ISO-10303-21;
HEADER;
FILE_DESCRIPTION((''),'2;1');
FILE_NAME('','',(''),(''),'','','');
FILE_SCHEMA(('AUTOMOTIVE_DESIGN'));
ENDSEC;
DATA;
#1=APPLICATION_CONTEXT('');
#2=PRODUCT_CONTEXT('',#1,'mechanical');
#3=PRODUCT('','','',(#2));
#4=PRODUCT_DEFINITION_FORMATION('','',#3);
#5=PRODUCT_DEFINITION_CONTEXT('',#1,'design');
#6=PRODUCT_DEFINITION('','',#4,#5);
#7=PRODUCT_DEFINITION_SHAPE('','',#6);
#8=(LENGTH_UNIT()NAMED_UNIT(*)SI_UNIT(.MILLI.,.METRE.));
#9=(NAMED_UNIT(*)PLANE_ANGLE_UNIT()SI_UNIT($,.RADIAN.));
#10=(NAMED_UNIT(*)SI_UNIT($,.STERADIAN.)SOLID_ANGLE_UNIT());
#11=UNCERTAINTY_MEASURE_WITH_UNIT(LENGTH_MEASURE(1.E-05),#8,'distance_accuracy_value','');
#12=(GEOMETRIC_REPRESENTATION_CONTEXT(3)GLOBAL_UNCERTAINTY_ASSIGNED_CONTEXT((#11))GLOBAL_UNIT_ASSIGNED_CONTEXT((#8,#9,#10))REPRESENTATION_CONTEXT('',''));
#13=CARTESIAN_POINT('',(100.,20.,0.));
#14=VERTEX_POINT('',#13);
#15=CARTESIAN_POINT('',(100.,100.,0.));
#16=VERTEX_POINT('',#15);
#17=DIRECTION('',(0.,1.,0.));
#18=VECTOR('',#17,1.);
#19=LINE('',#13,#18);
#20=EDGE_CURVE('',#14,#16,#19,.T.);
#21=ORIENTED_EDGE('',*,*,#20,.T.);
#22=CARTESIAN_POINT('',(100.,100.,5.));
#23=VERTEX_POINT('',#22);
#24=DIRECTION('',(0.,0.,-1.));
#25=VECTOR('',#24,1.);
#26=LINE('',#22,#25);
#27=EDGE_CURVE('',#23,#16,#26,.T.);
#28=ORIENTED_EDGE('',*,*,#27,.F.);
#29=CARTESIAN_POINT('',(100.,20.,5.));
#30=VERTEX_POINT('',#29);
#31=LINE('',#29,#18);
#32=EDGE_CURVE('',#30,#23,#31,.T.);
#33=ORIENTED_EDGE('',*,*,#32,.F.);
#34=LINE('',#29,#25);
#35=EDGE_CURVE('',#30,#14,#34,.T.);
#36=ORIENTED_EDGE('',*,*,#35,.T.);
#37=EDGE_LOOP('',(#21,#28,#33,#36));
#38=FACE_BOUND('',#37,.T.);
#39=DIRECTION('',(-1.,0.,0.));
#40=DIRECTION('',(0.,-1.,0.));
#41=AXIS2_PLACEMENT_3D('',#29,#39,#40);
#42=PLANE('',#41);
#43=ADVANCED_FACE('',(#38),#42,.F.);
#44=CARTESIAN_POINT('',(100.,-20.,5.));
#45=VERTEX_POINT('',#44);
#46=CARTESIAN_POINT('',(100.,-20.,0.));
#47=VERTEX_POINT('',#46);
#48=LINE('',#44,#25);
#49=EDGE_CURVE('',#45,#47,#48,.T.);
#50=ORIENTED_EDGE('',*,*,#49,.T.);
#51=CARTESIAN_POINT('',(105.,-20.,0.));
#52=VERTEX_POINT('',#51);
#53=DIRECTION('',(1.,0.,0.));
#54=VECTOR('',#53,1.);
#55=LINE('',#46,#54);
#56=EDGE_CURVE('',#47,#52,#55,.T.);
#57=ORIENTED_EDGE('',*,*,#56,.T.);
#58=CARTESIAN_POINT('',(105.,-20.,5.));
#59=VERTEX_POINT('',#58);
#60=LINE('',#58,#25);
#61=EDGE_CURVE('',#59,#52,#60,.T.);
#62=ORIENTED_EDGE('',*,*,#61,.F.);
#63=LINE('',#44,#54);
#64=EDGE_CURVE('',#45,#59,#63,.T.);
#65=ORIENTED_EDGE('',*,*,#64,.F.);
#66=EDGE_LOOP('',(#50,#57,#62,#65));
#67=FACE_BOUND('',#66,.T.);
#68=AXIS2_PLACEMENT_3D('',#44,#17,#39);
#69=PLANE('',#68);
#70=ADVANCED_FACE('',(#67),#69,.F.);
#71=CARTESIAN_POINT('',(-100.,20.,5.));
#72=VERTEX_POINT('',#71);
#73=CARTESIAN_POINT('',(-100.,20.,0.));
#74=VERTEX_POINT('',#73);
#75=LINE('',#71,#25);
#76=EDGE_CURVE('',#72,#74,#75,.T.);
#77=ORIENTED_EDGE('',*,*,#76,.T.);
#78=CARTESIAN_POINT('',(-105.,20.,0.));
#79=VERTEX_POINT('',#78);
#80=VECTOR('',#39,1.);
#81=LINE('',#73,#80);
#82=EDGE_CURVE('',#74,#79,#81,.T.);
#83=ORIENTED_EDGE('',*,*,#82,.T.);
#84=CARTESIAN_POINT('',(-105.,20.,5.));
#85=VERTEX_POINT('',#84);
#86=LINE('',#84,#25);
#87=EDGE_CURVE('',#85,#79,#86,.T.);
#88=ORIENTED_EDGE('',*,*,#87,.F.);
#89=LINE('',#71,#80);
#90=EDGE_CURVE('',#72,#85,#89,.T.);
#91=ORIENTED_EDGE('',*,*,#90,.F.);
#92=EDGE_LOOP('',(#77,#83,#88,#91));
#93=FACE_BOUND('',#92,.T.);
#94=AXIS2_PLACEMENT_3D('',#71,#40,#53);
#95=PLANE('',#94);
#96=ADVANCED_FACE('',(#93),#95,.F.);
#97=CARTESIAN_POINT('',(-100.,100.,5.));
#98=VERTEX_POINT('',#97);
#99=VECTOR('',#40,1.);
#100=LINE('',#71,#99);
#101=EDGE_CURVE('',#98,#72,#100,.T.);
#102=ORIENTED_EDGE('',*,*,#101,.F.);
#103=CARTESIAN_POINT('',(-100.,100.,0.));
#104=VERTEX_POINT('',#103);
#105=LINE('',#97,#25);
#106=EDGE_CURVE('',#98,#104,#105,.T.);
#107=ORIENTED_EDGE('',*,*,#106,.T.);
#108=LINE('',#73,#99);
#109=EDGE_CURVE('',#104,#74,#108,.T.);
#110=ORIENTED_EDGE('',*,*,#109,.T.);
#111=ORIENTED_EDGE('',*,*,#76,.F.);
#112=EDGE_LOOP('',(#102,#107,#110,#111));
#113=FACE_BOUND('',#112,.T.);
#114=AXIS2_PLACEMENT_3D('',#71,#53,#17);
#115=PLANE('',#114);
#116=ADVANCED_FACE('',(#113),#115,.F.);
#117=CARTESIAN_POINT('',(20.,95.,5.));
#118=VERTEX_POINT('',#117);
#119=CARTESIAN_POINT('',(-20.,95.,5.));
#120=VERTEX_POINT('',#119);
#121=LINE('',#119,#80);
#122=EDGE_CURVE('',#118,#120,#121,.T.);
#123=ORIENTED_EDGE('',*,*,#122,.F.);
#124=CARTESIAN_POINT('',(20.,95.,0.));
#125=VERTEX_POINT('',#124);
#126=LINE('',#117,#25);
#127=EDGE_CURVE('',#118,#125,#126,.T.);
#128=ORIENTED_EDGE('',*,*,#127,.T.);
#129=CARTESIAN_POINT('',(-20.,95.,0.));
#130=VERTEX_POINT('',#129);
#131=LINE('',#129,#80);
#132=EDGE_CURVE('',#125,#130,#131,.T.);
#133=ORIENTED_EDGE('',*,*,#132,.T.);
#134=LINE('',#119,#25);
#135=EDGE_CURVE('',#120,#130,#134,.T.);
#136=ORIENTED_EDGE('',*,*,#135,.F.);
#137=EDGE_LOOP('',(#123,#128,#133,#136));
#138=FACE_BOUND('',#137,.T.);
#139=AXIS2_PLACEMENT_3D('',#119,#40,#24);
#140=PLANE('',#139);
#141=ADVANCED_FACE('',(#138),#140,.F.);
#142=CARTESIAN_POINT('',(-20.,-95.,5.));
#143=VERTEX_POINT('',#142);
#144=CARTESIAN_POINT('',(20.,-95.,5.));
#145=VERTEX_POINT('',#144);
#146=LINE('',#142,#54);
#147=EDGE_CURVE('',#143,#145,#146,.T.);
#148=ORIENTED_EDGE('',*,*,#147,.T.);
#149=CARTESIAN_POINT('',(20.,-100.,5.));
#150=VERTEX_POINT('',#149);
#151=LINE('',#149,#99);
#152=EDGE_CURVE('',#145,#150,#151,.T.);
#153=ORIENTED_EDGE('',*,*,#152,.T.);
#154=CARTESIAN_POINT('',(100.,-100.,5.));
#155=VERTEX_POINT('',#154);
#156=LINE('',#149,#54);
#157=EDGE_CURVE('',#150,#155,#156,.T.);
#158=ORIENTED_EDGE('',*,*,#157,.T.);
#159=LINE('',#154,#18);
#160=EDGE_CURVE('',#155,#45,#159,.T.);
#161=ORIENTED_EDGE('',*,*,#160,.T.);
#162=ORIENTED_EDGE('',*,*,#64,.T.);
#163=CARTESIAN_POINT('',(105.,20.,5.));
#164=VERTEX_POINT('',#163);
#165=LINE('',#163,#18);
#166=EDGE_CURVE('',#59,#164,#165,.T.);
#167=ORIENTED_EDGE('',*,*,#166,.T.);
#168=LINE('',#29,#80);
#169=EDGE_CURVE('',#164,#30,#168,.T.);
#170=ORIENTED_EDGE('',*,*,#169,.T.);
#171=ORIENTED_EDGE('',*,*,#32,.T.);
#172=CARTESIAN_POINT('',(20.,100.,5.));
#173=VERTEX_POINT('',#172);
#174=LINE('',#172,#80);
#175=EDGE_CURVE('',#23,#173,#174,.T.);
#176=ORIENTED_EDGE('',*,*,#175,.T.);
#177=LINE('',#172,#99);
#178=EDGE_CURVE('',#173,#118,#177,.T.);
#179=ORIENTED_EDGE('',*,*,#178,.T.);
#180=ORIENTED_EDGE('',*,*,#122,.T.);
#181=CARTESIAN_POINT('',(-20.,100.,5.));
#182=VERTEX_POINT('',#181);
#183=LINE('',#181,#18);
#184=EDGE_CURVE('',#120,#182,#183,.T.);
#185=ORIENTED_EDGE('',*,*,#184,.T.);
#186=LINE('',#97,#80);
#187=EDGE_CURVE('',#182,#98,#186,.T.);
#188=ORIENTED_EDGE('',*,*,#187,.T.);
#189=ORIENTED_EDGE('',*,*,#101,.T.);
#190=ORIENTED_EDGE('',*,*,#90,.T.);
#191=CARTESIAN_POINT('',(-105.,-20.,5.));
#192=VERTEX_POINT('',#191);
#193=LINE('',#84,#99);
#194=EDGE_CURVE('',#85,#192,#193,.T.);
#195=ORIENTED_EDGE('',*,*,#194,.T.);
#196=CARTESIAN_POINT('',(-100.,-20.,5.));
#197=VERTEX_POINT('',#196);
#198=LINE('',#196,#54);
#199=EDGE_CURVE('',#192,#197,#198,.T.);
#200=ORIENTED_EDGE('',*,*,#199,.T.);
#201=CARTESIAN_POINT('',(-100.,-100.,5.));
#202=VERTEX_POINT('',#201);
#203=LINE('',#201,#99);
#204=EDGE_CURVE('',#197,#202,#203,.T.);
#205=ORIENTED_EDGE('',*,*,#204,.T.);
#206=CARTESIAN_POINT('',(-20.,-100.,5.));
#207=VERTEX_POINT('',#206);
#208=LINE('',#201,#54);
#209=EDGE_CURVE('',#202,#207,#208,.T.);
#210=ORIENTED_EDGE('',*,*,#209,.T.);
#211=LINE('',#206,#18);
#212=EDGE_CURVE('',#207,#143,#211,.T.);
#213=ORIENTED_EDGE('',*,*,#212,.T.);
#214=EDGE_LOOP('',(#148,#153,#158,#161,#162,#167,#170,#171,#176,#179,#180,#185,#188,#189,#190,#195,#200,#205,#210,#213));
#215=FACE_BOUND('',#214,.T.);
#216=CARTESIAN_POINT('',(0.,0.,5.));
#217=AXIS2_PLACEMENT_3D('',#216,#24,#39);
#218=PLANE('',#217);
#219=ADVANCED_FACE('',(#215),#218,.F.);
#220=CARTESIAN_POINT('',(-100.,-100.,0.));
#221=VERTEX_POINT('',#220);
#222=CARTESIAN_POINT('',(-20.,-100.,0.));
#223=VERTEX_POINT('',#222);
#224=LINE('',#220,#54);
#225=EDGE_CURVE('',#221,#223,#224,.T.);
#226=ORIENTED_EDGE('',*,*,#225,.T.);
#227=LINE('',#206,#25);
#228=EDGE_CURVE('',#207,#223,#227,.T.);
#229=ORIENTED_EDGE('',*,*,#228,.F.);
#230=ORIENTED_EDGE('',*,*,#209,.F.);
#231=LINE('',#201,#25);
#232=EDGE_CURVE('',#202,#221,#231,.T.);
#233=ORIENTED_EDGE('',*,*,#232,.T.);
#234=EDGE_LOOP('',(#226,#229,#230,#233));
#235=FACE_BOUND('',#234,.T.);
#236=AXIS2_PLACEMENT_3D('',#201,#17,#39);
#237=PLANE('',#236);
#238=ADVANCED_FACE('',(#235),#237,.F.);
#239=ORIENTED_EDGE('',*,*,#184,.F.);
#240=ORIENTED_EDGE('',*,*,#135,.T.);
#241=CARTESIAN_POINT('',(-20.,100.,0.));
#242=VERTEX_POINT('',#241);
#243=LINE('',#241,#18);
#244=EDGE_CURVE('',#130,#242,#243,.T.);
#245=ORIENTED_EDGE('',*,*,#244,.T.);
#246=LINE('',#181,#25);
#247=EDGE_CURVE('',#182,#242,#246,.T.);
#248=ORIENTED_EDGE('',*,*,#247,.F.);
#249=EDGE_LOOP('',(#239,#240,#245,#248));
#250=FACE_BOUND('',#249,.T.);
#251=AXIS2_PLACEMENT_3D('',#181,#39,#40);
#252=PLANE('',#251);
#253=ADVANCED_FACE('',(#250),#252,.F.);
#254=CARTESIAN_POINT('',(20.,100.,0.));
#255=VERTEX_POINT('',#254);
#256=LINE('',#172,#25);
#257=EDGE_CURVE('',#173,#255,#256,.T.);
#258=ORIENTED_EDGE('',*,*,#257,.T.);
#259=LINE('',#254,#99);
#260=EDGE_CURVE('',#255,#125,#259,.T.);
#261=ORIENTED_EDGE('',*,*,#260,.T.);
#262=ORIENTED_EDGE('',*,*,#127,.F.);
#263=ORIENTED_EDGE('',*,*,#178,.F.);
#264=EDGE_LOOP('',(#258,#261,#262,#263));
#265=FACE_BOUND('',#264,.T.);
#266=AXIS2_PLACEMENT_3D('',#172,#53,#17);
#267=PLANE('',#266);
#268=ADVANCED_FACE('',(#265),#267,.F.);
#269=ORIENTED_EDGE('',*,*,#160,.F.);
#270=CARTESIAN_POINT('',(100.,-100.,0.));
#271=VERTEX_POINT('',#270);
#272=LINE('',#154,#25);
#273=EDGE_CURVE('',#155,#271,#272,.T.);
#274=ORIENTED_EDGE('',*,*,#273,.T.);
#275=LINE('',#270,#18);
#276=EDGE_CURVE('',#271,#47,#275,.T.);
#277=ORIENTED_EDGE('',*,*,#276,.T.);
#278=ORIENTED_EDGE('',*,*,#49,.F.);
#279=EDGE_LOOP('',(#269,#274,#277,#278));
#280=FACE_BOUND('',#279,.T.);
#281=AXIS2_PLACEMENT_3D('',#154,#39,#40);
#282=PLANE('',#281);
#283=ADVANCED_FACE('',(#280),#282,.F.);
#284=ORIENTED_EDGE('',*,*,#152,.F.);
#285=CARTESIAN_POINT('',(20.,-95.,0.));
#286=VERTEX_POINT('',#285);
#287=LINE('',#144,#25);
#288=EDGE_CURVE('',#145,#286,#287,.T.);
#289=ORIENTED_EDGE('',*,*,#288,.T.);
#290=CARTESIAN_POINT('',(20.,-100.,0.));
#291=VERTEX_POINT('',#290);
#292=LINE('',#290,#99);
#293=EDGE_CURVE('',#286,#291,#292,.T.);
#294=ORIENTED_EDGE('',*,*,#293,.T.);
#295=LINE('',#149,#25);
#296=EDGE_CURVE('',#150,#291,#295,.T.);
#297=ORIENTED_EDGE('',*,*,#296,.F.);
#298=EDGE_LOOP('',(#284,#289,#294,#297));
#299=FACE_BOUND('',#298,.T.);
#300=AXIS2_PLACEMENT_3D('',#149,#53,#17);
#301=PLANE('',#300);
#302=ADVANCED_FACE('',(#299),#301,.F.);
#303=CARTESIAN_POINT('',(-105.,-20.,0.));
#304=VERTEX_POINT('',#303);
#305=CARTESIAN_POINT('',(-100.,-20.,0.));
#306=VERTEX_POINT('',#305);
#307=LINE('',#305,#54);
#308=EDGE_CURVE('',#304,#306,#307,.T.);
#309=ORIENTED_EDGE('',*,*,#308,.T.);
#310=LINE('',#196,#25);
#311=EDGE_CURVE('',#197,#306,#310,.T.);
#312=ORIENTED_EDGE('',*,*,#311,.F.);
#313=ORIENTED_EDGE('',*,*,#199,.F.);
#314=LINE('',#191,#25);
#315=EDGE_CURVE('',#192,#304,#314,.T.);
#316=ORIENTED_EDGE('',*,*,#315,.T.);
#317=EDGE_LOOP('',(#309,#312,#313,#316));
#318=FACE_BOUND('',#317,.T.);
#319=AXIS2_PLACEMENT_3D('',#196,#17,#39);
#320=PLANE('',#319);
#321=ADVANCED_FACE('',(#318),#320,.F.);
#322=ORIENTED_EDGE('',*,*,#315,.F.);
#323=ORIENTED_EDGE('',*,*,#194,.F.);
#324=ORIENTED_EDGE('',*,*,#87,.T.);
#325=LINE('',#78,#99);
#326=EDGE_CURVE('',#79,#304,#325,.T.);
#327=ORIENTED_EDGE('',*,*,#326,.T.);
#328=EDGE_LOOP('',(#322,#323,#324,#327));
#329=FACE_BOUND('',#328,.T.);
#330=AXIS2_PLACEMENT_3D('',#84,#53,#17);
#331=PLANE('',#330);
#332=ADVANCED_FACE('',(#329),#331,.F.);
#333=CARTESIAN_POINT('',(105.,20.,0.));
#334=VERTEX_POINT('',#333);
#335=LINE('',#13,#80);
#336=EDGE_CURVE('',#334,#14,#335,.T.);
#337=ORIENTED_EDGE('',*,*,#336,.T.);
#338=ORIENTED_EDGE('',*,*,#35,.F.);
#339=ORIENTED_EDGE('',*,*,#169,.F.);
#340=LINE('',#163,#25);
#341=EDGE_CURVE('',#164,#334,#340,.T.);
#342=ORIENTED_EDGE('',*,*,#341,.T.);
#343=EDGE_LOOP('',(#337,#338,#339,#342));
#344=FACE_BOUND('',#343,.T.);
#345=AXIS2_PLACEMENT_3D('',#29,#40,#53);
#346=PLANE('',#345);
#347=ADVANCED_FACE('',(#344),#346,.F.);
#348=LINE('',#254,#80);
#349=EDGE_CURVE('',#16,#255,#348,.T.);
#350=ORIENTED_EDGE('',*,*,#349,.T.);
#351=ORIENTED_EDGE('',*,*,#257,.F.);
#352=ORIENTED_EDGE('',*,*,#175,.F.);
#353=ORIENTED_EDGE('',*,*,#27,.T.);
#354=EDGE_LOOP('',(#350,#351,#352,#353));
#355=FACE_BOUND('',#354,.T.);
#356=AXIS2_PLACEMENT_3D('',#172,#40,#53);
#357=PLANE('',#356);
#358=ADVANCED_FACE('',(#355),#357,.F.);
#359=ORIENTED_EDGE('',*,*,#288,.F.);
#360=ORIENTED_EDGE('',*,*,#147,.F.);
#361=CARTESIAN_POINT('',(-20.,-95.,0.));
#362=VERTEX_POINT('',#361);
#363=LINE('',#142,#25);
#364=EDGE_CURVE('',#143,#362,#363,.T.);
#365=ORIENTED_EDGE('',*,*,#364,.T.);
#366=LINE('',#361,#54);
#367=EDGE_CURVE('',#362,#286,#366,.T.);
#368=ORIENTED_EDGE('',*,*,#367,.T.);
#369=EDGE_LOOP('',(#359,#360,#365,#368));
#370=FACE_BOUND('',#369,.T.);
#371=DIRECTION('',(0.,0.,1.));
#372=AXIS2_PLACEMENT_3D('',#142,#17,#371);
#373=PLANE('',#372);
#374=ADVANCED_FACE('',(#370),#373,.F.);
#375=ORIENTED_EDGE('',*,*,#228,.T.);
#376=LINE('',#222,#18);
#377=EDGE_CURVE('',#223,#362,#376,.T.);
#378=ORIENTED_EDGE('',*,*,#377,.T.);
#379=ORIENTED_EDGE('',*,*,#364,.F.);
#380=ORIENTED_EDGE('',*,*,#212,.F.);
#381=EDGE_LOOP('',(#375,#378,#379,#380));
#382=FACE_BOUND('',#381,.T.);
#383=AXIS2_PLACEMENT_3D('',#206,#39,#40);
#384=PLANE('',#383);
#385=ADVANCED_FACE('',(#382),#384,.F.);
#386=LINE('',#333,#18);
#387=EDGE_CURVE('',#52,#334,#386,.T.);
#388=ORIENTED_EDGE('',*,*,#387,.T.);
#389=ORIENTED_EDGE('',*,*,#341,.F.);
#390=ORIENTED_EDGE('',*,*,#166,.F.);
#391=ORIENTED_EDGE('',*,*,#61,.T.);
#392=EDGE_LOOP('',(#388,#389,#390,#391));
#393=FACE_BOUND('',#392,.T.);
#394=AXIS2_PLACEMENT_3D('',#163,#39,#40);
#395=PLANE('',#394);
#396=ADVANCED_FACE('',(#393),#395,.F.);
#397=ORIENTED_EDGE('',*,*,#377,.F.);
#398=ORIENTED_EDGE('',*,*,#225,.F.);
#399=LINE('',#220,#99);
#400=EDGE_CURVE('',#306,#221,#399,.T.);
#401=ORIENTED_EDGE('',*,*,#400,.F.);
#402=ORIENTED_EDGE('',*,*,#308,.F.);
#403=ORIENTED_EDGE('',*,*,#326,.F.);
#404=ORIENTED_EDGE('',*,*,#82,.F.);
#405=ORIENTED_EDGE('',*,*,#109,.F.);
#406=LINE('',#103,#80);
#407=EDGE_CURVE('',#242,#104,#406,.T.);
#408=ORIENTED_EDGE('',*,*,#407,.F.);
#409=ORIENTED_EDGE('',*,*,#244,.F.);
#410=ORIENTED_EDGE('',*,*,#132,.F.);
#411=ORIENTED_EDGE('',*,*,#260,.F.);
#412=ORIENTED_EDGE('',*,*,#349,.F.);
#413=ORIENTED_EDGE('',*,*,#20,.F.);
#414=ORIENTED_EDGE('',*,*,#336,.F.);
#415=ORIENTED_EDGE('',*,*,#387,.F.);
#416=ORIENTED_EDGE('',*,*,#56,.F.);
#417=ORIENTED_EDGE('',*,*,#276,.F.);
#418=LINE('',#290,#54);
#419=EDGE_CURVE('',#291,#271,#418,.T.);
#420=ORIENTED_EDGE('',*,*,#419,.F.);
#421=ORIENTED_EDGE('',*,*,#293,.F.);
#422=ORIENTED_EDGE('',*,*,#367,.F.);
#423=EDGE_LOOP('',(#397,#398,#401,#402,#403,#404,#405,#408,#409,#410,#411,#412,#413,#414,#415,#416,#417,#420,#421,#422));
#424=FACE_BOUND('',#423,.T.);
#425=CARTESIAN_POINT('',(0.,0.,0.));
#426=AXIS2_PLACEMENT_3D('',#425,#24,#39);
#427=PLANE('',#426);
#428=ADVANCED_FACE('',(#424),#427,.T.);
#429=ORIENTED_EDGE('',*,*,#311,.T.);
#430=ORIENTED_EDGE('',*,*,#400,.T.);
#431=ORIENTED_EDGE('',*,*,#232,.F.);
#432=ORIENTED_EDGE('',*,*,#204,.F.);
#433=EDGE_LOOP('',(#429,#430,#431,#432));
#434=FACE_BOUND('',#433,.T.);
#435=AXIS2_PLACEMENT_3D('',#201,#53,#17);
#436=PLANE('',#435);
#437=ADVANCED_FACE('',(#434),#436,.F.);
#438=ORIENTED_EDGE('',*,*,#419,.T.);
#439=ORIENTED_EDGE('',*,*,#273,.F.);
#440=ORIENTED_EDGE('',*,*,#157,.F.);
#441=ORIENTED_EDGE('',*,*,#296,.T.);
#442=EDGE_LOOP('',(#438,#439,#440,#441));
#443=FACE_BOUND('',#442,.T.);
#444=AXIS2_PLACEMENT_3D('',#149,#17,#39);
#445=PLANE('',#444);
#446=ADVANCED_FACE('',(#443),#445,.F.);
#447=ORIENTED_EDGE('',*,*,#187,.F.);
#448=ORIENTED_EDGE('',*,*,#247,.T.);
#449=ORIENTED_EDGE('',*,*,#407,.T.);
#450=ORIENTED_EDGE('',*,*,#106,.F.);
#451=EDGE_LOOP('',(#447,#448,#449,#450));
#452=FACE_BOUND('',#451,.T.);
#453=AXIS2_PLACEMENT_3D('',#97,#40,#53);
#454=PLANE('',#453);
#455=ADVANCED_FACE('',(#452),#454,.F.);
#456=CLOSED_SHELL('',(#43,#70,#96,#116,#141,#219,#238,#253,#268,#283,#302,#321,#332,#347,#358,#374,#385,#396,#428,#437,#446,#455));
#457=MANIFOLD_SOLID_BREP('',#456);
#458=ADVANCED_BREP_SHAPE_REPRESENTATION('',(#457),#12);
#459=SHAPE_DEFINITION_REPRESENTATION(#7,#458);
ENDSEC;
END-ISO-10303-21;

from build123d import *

# Parameters (mm, degrees)
SALIENTE_EXTRUIR1_DEPTH = 5


with BuildPart() as part:
    # Croquis1 → Saliente-Extruir1 (new body)
    with BuildSketch(Plane.XY):
        Polygon((-100, -100), (-100, -20), (-105, -20), (-105, 20), (-100, 20), (-100, 100), (-20, 100), (-20, 95), (20, 95), (20, 100), (100, 100), (100, 20), (105, 20), (105, -20), (100, -20), (100, -100), (20, -100), (20, -95), (-20, -95), (-20, -100), align=None)
    extrude(amount=SALIENTE_EXTRUIR1_DEPTH)


solid = part.part
